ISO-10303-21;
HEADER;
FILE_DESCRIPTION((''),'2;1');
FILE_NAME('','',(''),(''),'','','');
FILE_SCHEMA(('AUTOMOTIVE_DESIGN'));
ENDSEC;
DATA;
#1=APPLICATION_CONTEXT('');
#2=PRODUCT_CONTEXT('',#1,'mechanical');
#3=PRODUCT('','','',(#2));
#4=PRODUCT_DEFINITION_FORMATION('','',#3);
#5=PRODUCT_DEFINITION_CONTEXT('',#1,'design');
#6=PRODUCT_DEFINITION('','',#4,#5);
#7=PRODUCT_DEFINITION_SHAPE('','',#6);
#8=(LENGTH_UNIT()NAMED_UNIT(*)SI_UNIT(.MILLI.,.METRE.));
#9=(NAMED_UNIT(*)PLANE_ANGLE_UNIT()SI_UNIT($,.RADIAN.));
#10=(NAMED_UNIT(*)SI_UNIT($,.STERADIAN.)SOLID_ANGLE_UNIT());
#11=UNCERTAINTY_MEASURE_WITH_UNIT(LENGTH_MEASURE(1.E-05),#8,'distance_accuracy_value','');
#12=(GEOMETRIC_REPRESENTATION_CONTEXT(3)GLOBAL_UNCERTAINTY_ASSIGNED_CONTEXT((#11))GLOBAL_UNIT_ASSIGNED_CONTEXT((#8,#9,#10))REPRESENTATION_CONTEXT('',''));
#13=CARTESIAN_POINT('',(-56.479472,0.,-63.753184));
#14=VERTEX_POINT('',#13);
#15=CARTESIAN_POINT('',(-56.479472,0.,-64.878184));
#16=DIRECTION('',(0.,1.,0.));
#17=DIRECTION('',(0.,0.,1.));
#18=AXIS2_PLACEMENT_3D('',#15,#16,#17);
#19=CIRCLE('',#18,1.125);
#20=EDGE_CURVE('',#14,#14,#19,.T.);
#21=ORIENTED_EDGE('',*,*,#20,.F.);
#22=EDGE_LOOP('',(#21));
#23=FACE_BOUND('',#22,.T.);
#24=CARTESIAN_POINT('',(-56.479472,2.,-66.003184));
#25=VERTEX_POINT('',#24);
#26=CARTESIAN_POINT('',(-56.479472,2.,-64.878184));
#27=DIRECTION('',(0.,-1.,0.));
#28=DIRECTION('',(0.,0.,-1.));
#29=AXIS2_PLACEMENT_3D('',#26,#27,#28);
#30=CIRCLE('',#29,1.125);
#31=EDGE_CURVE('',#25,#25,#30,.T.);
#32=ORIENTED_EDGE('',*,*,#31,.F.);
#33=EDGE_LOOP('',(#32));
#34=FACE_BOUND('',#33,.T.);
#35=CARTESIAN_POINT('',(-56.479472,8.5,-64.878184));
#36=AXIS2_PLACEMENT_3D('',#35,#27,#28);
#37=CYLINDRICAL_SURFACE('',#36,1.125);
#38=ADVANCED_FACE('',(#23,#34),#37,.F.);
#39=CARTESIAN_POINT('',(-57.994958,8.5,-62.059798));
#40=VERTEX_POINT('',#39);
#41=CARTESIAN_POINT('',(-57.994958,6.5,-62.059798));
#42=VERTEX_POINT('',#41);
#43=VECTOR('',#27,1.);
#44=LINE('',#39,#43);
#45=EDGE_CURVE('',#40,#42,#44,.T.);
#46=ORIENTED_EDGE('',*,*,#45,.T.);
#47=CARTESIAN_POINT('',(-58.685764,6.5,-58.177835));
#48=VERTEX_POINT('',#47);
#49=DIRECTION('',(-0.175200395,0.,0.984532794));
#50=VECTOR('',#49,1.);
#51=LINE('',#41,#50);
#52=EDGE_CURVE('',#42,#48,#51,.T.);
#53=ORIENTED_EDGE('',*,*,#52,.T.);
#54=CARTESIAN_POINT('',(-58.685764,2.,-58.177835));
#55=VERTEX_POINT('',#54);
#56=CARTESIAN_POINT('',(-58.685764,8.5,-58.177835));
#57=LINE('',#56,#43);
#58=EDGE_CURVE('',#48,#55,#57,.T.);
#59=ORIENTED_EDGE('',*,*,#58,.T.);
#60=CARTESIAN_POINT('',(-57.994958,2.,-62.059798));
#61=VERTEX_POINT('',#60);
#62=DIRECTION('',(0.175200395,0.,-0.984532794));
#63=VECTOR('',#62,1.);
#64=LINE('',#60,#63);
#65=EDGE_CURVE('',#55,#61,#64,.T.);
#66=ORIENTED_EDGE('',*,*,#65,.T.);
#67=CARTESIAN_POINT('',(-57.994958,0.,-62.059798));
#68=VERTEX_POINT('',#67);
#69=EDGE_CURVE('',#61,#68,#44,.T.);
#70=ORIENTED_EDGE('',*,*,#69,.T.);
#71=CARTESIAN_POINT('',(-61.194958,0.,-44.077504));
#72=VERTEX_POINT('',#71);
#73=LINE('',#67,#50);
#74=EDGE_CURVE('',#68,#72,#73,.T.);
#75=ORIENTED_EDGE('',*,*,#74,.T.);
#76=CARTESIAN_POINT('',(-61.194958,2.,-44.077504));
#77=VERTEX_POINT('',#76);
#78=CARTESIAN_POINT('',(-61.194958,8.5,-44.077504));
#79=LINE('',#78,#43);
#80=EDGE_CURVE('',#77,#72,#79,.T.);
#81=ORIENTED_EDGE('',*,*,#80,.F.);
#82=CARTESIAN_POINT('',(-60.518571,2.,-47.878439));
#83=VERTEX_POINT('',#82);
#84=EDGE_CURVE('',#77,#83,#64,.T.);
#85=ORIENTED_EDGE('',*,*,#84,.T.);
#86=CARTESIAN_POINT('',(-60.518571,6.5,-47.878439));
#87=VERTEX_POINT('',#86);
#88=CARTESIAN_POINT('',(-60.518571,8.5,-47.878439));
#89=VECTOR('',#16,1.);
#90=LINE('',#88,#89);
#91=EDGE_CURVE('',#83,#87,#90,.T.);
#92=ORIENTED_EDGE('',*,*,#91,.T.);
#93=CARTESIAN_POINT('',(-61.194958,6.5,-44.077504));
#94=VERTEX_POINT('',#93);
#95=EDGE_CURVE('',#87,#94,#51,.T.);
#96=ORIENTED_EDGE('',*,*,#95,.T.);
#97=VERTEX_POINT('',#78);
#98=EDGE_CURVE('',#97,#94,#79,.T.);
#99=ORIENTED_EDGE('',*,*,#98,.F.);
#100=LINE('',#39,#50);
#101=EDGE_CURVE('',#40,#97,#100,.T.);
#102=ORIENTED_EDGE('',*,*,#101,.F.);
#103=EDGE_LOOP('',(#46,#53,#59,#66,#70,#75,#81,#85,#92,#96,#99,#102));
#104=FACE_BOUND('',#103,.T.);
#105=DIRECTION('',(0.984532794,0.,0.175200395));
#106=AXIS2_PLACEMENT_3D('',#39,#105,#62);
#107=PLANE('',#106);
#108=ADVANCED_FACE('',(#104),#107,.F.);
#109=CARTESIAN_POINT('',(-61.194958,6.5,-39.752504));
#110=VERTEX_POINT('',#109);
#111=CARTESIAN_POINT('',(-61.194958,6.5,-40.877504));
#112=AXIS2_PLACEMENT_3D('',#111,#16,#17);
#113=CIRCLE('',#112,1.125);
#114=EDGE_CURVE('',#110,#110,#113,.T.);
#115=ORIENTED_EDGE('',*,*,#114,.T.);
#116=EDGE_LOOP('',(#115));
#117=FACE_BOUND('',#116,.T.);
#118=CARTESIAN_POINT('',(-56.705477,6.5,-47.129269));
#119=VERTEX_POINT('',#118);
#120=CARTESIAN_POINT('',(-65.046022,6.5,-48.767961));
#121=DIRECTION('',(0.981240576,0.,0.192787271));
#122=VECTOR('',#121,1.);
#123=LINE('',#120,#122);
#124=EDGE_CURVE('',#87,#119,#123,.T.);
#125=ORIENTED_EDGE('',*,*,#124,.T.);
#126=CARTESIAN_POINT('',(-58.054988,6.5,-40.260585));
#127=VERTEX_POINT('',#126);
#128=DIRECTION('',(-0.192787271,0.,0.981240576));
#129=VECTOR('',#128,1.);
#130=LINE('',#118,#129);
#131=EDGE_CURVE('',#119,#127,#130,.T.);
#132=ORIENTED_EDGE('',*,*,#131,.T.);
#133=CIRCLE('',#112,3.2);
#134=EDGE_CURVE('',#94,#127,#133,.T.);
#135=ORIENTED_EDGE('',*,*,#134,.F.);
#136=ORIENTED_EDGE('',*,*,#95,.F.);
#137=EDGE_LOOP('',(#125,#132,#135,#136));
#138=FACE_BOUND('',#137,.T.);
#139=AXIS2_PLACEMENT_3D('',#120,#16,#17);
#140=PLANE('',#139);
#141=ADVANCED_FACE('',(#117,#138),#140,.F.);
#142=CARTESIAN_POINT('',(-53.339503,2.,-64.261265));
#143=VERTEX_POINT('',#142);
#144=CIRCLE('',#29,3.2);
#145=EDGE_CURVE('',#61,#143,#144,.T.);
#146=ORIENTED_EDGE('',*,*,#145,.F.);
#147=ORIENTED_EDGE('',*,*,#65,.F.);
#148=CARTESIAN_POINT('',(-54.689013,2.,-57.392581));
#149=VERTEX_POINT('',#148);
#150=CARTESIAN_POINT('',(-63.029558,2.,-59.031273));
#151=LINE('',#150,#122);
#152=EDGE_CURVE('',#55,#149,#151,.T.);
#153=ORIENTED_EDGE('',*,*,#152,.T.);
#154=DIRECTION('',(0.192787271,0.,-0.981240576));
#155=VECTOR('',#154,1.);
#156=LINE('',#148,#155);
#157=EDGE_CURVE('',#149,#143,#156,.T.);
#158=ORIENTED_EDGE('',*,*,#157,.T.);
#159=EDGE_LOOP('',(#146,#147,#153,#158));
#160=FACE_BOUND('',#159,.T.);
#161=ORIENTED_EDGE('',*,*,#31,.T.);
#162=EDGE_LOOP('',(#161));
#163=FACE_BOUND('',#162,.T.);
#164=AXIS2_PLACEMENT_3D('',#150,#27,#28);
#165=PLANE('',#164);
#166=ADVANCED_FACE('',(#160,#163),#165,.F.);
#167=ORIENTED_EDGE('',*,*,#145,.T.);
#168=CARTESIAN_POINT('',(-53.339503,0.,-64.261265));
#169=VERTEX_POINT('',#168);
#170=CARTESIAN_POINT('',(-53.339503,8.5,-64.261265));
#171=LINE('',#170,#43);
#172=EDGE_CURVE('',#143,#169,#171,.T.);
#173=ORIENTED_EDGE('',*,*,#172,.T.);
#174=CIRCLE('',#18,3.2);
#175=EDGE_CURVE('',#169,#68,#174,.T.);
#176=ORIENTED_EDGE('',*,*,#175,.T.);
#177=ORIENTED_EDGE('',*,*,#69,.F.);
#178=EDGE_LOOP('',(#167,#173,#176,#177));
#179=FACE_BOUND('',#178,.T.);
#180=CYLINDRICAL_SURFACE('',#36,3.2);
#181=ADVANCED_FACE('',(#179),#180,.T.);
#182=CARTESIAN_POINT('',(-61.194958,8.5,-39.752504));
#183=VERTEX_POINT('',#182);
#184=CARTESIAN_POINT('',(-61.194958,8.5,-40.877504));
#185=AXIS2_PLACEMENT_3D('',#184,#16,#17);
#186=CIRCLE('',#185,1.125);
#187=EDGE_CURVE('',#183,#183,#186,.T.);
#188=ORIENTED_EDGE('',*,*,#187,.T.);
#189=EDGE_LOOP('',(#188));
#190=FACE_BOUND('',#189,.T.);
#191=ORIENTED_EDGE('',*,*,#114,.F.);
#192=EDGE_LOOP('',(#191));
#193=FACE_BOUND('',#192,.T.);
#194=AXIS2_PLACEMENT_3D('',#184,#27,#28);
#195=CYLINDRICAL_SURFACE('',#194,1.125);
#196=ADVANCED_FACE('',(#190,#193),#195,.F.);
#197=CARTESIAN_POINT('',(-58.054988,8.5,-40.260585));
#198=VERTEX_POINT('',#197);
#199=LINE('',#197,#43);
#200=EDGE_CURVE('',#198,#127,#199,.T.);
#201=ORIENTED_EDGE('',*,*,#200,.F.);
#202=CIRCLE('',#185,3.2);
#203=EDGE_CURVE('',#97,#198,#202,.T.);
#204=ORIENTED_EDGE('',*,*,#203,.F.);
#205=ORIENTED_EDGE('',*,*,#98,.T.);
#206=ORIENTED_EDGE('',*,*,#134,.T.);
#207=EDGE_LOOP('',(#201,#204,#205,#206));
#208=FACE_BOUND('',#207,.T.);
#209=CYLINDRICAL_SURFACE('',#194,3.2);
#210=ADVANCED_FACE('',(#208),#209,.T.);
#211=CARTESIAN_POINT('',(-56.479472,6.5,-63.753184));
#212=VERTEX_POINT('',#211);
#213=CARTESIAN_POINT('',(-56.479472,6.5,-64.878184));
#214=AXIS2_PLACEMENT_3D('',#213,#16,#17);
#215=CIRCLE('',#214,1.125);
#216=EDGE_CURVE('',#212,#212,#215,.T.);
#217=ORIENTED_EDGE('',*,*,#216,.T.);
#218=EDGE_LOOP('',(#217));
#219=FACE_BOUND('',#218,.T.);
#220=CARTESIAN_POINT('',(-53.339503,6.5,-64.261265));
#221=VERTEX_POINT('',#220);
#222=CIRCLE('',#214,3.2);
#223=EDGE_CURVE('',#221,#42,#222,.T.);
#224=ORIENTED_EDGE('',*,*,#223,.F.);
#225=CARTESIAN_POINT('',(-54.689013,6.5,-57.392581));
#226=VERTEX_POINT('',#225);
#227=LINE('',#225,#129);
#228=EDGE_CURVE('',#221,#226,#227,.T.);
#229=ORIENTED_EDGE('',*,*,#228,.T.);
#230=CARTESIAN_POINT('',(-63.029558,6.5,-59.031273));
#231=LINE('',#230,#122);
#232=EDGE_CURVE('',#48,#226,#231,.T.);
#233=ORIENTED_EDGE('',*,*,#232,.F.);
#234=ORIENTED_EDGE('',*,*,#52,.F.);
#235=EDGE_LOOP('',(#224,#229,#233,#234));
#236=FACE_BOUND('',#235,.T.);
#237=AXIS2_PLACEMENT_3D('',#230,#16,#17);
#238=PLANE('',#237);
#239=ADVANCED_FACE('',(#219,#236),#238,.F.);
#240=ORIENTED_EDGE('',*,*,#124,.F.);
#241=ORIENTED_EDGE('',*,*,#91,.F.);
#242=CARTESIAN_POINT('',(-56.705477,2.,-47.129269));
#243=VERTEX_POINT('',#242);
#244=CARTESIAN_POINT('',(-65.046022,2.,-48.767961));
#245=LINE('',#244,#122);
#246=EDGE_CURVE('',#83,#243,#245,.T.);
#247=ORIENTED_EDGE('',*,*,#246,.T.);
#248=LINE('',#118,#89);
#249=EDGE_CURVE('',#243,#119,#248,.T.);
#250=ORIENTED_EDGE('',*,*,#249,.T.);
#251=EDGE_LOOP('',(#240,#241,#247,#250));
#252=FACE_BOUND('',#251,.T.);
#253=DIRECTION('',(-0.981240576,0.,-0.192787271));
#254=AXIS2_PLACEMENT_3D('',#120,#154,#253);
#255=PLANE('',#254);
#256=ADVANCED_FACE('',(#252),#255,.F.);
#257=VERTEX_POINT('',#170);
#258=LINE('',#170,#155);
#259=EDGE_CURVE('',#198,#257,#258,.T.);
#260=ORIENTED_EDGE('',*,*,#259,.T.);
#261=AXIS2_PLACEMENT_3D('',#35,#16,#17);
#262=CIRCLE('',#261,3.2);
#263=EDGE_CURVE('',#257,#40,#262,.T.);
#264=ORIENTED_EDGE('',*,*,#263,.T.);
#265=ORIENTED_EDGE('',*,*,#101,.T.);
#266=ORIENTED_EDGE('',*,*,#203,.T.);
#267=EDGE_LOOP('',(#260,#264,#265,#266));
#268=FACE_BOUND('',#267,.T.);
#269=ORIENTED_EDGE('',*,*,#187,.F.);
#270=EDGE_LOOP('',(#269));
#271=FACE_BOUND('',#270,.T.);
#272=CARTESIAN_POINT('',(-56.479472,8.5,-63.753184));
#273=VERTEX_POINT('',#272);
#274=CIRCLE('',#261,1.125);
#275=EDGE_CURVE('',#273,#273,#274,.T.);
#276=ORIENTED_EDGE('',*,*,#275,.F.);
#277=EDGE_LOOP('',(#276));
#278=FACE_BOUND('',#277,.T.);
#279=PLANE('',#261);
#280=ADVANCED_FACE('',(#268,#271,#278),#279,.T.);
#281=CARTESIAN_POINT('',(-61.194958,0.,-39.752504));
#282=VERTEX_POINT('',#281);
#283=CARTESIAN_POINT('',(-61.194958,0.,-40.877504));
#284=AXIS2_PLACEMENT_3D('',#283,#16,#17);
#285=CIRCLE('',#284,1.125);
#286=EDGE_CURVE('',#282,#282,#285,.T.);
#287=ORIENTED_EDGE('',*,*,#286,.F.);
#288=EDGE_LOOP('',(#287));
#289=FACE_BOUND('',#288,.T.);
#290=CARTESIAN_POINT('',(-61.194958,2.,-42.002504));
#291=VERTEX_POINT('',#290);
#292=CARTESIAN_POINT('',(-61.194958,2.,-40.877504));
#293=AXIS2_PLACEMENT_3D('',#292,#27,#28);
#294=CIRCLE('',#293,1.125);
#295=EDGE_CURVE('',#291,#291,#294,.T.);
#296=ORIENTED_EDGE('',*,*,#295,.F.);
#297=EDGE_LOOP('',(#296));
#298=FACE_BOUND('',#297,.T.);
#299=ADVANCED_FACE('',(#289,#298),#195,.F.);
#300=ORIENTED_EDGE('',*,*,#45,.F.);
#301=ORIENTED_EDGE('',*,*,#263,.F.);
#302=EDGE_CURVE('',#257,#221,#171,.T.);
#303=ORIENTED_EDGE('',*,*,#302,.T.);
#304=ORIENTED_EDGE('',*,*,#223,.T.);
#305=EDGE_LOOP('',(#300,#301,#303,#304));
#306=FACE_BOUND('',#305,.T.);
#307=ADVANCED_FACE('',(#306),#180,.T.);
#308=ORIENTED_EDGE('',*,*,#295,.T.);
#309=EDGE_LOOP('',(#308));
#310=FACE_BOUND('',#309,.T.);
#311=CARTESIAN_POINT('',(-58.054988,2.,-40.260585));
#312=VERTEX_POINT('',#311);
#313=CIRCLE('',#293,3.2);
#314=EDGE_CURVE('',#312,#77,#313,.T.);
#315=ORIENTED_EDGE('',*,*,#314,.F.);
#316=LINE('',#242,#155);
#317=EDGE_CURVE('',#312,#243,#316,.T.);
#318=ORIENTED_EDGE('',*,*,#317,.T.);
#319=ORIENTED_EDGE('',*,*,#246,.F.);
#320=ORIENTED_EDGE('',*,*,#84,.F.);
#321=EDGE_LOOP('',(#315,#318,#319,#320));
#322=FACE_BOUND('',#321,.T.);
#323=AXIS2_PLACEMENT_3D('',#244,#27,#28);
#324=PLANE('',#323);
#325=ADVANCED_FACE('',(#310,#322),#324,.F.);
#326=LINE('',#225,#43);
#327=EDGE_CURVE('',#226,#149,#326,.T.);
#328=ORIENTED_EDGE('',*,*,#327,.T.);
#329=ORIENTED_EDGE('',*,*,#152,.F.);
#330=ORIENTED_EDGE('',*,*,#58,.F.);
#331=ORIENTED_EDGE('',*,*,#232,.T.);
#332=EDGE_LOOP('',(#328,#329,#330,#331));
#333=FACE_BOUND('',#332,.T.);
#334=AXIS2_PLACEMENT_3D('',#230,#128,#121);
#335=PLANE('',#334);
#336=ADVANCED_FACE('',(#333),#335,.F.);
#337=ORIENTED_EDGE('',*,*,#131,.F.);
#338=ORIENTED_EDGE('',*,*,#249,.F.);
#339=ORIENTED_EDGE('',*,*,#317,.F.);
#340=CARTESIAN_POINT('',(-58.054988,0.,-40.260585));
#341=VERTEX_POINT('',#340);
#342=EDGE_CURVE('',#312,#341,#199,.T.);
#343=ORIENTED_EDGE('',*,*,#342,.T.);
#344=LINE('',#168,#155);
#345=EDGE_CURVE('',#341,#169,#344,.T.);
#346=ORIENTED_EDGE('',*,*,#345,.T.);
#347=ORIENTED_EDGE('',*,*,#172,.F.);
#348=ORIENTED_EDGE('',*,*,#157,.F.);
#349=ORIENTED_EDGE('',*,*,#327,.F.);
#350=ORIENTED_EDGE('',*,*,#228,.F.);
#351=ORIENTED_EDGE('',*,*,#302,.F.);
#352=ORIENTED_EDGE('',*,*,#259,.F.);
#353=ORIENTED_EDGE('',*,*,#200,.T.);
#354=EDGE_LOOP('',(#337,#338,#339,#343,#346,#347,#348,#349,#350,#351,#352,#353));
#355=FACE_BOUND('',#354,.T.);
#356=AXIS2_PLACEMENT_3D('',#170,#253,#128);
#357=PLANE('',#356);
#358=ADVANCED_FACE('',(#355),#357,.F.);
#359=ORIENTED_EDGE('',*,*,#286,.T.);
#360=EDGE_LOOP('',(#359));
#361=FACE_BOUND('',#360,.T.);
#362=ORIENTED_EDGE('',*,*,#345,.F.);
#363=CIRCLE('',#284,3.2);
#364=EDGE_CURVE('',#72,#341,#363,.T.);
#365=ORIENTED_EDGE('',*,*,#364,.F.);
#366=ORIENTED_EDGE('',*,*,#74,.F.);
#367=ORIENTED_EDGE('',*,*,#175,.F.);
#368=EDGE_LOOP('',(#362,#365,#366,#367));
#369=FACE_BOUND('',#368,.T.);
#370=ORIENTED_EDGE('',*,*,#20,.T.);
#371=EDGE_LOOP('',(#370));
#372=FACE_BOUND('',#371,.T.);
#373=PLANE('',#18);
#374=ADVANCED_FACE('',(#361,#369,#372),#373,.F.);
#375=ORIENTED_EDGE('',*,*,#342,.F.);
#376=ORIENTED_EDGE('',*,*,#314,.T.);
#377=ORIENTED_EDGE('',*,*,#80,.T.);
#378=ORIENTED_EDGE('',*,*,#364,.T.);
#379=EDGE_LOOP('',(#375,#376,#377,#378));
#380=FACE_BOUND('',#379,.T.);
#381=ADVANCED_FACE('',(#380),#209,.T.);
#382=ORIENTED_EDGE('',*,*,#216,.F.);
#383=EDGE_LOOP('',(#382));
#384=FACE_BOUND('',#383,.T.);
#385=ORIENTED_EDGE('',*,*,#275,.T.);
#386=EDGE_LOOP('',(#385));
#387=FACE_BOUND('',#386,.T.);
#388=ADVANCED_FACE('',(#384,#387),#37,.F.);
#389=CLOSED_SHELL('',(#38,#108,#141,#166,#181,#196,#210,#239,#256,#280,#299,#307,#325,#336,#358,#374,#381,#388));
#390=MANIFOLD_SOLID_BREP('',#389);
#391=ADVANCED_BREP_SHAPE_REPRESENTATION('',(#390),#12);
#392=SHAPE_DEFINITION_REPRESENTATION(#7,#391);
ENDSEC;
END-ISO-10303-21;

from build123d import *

# Parameters (mm, degrees)
SKETCH1_R           = 1.125
BOSS_EXTRUDE6_DEPTH = 8.5
SKETCH4_W           = 17.570802181
SKETCH4_H           = 4.5
SKETCH4_W_2         = 16.739440307
CUT_EXTRUDE2_DEPTH  = 8.5


with BuildPart() as part:
    # Sketch1 → Boss-Extrude6 (new body)
    with BuildSketch(Plane(origin=(0, 0, 0), x_dir=(1, 0, 0), z_dir=(0, 1, 0))):
        with BuildLine():
            Line((-53.339502585, 64.261265029), (-58.054988047, 40.260584684))
            ThreePointArc((-58.054988047, 40.260584684), (-63.66620673, 38.844543261), (-61.19495789, 44.077503952))
            Line((-61.19495789, 44.077503952), (-57.99495789, 62.059797556))
            ThreePointArc((-57.99495789, 62.059797556), (-57.847446161, 67.771045832), (-53.339502585, 64.261265029))
        make_face()
        with Locations(Location((-56.479472428, 64.878184296, 0), (0, 0, 270))):
            Circle(SKETCH1_R, mode=Mode.SUBTRACT)
        with Locations(Location((-61.19495789, 40.877503952, 0), (0, 0, 270))):
            Circle(SKETCH1_R, mode=Mode.SUBTRACT)
    extrude(amount=BOSS_EXTRUDE6_DEPTH)

    # Sketch4 → Cut-Extrude2 (cut)
    with BuildSketch(Plane(origin=(-63.513384964, 0, -12.478664734), x_dir=(0.1927872711997429, 0, -0.9812405760379851), z_dir=(0.9812405760379851, 0, 0.1927872711997429))):
        with Locations((54.557984654, 4.25)):
            Rectangle(SKETCH4_W, SKETCH4_H)
        with Locations((26.943336429, 4.25)):
            Rectangle(SKETCH4_W_2, SKETCH4_H)
    extrude(amount=-CUT_EXTRUDE2_DEPTH, mode=Mode.SUBTRACT)


solid = part.part
